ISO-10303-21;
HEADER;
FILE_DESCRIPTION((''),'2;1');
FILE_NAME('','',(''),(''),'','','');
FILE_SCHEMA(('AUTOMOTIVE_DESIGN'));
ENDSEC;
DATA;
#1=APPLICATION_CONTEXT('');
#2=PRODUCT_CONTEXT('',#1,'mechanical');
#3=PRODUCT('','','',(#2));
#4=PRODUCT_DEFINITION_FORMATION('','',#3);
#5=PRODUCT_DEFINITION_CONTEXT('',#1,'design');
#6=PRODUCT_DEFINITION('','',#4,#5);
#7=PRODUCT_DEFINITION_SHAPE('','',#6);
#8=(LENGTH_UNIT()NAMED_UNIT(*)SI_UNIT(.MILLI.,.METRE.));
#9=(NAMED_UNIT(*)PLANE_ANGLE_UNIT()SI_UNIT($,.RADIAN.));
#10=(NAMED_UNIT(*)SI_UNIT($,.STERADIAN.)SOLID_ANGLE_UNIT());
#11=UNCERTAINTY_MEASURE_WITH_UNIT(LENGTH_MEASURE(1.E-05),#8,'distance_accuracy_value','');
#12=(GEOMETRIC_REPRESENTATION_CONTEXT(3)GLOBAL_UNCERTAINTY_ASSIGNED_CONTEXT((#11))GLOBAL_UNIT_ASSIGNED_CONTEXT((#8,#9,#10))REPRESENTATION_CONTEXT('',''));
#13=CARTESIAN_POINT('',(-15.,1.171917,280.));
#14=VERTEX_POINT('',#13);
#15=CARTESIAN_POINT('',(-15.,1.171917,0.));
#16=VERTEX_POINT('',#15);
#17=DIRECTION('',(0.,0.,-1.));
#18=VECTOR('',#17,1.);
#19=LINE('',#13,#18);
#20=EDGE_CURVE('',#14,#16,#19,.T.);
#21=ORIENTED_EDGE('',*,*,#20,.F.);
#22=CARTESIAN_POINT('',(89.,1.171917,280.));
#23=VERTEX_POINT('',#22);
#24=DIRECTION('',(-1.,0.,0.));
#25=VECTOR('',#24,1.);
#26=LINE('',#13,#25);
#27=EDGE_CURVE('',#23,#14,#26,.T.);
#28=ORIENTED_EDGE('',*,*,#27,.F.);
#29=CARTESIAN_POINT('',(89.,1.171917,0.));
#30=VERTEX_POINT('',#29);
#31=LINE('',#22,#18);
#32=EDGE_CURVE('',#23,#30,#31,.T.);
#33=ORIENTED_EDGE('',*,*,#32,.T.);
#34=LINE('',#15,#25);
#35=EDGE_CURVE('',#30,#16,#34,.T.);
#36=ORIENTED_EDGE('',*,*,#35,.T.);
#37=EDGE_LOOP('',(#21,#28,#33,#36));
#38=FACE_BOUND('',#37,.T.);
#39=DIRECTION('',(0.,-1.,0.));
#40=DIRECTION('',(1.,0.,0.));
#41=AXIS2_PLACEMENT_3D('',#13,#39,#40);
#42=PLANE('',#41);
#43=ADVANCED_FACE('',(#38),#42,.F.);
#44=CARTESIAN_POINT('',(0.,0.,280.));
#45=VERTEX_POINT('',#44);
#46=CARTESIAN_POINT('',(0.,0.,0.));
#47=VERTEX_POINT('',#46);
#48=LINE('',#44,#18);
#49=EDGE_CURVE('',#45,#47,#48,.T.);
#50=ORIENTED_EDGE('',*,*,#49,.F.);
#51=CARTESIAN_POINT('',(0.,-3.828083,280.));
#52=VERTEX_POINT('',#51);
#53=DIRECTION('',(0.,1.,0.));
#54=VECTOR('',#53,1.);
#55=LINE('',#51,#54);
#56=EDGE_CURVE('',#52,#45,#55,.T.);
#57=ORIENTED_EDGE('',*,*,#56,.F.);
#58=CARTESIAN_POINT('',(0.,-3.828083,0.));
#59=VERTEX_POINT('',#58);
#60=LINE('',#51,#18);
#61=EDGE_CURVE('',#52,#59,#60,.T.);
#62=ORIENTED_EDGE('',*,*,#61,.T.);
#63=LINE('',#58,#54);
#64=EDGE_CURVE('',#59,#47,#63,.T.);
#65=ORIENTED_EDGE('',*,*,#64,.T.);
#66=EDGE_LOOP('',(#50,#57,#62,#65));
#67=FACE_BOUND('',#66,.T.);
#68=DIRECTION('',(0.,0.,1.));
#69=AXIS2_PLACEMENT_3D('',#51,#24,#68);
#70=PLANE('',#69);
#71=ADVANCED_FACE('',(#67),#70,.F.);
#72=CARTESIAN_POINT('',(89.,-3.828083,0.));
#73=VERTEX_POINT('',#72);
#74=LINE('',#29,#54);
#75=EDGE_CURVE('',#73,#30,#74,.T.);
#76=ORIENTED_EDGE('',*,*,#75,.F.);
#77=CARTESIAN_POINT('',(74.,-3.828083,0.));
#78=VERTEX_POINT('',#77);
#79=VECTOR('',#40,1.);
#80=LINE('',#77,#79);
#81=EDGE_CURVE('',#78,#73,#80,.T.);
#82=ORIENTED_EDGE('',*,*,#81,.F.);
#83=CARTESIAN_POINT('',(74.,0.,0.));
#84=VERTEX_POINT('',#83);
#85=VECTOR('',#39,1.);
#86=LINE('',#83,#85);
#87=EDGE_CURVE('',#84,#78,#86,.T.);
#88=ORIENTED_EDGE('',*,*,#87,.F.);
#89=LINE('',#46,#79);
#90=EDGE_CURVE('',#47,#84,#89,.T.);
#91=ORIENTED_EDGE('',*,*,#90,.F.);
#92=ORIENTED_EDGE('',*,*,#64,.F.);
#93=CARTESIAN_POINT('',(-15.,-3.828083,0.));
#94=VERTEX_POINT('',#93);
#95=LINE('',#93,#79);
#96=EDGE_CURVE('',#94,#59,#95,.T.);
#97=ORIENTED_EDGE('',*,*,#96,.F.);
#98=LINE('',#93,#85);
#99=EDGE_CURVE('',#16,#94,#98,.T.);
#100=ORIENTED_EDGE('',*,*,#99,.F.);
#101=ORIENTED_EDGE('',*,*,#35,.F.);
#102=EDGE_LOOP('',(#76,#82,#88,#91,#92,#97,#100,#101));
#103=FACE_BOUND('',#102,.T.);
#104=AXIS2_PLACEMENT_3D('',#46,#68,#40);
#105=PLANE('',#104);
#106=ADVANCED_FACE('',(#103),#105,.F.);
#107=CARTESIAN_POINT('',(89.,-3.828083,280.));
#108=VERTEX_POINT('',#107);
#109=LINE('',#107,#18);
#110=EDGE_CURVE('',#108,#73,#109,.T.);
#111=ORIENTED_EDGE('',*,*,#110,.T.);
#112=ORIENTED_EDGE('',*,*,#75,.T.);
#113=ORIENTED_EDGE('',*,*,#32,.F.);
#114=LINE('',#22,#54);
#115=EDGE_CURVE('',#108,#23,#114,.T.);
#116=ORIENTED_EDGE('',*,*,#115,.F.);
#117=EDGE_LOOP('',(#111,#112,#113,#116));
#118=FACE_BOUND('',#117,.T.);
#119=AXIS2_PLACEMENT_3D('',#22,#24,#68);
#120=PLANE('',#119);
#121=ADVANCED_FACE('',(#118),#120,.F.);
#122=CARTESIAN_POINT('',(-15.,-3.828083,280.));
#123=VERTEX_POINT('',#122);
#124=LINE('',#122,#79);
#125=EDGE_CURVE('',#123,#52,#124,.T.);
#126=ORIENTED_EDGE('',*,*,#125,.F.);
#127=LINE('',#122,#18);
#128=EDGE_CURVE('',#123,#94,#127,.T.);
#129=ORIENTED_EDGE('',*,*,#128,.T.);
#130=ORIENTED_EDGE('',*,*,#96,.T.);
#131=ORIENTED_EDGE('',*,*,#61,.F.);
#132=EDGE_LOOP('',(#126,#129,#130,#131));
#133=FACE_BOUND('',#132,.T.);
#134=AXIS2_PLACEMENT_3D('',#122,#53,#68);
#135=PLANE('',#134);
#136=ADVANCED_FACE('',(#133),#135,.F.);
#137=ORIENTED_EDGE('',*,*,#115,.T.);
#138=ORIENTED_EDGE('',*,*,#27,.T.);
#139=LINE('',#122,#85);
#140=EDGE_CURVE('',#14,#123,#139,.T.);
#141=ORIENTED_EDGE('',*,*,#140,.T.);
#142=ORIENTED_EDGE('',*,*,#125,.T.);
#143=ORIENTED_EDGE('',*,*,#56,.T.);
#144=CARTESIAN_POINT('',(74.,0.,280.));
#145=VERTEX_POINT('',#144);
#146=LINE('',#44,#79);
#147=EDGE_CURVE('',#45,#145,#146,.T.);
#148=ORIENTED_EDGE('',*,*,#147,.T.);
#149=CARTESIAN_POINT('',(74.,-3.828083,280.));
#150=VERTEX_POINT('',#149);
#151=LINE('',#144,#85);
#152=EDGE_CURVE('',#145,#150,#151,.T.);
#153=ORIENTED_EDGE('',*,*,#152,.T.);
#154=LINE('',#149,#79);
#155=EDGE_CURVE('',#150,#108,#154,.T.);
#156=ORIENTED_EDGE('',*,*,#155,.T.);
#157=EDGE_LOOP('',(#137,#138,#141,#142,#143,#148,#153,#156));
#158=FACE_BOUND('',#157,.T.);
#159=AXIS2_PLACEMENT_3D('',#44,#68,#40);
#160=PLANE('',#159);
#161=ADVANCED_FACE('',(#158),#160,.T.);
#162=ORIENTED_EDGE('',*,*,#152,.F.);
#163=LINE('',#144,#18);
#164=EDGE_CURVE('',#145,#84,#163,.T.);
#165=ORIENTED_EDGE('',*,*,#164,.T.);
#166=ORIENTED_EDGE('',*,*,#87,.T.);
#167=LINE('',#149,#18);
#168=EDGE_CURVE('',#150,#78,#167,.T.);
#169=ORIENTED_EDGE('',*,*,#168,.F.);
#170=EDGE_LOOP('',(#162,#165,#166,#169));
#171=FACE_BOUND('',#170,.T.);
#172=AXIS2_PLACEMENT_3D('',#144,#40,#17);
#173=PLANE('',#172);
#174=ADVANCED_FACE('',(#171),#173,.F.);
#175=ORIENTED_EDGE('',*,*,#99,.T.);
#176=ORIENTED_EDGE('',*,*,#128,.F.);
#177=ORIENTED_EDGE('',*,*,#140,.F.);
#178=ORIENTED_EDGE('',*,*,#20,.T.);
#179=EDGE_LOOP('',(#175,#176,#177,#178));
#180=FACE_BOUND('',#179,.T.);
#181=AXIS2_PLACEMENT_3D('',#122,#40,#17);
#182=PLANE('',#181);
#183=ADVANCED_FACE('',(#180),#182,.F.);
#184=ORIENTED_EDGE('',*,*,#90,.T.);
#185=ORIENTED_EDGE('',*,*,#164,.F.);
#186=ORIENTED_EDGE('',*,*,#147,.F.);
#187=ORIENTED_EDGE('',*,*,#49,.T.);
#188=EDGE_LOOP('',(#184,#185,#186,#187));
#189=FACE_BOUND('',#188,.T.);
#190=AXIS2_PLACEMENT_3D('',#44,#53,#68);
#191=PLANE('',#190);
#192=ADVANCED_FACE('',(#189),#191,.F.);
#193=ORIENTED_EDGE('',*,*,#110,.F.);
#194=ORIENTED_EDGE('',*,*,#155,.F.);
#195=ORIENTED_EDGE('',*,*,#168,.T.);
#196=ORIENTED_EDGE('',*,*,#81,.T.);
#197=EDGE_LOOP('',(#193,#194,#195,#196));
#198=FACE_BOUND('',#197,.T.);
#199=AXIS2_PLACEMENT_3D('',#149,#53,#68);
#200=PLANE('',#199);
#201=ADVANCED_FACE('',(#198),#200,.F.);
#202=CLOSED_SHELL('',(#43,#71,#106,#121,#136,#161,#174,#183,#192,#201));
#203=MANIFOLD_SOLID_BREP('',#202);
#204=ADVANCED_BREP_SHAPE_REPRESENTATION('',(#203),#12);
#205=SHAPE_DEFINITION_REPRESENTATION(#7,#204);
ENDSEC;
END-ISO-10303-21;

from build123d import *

# Parameters (mm, degrees)
BOSS_EXTRUDE1_DEPTH = 280


with BuildPart() as part:
    # Sketch1 → Boss-Extrude1 (new body)
    with BuildSketch(Plane.XY):
        Polygon((-15, -3.828082647), (-15, 1.171917353), (89, 1.171917353), (89, -3.828082647), (74, -3.828082647), (74, 0), (0, 0), (0, -3.828082647), align=None)
    extrude(amount=BOSS_EXTRUDE1_DEPTH)


solid = part.part
